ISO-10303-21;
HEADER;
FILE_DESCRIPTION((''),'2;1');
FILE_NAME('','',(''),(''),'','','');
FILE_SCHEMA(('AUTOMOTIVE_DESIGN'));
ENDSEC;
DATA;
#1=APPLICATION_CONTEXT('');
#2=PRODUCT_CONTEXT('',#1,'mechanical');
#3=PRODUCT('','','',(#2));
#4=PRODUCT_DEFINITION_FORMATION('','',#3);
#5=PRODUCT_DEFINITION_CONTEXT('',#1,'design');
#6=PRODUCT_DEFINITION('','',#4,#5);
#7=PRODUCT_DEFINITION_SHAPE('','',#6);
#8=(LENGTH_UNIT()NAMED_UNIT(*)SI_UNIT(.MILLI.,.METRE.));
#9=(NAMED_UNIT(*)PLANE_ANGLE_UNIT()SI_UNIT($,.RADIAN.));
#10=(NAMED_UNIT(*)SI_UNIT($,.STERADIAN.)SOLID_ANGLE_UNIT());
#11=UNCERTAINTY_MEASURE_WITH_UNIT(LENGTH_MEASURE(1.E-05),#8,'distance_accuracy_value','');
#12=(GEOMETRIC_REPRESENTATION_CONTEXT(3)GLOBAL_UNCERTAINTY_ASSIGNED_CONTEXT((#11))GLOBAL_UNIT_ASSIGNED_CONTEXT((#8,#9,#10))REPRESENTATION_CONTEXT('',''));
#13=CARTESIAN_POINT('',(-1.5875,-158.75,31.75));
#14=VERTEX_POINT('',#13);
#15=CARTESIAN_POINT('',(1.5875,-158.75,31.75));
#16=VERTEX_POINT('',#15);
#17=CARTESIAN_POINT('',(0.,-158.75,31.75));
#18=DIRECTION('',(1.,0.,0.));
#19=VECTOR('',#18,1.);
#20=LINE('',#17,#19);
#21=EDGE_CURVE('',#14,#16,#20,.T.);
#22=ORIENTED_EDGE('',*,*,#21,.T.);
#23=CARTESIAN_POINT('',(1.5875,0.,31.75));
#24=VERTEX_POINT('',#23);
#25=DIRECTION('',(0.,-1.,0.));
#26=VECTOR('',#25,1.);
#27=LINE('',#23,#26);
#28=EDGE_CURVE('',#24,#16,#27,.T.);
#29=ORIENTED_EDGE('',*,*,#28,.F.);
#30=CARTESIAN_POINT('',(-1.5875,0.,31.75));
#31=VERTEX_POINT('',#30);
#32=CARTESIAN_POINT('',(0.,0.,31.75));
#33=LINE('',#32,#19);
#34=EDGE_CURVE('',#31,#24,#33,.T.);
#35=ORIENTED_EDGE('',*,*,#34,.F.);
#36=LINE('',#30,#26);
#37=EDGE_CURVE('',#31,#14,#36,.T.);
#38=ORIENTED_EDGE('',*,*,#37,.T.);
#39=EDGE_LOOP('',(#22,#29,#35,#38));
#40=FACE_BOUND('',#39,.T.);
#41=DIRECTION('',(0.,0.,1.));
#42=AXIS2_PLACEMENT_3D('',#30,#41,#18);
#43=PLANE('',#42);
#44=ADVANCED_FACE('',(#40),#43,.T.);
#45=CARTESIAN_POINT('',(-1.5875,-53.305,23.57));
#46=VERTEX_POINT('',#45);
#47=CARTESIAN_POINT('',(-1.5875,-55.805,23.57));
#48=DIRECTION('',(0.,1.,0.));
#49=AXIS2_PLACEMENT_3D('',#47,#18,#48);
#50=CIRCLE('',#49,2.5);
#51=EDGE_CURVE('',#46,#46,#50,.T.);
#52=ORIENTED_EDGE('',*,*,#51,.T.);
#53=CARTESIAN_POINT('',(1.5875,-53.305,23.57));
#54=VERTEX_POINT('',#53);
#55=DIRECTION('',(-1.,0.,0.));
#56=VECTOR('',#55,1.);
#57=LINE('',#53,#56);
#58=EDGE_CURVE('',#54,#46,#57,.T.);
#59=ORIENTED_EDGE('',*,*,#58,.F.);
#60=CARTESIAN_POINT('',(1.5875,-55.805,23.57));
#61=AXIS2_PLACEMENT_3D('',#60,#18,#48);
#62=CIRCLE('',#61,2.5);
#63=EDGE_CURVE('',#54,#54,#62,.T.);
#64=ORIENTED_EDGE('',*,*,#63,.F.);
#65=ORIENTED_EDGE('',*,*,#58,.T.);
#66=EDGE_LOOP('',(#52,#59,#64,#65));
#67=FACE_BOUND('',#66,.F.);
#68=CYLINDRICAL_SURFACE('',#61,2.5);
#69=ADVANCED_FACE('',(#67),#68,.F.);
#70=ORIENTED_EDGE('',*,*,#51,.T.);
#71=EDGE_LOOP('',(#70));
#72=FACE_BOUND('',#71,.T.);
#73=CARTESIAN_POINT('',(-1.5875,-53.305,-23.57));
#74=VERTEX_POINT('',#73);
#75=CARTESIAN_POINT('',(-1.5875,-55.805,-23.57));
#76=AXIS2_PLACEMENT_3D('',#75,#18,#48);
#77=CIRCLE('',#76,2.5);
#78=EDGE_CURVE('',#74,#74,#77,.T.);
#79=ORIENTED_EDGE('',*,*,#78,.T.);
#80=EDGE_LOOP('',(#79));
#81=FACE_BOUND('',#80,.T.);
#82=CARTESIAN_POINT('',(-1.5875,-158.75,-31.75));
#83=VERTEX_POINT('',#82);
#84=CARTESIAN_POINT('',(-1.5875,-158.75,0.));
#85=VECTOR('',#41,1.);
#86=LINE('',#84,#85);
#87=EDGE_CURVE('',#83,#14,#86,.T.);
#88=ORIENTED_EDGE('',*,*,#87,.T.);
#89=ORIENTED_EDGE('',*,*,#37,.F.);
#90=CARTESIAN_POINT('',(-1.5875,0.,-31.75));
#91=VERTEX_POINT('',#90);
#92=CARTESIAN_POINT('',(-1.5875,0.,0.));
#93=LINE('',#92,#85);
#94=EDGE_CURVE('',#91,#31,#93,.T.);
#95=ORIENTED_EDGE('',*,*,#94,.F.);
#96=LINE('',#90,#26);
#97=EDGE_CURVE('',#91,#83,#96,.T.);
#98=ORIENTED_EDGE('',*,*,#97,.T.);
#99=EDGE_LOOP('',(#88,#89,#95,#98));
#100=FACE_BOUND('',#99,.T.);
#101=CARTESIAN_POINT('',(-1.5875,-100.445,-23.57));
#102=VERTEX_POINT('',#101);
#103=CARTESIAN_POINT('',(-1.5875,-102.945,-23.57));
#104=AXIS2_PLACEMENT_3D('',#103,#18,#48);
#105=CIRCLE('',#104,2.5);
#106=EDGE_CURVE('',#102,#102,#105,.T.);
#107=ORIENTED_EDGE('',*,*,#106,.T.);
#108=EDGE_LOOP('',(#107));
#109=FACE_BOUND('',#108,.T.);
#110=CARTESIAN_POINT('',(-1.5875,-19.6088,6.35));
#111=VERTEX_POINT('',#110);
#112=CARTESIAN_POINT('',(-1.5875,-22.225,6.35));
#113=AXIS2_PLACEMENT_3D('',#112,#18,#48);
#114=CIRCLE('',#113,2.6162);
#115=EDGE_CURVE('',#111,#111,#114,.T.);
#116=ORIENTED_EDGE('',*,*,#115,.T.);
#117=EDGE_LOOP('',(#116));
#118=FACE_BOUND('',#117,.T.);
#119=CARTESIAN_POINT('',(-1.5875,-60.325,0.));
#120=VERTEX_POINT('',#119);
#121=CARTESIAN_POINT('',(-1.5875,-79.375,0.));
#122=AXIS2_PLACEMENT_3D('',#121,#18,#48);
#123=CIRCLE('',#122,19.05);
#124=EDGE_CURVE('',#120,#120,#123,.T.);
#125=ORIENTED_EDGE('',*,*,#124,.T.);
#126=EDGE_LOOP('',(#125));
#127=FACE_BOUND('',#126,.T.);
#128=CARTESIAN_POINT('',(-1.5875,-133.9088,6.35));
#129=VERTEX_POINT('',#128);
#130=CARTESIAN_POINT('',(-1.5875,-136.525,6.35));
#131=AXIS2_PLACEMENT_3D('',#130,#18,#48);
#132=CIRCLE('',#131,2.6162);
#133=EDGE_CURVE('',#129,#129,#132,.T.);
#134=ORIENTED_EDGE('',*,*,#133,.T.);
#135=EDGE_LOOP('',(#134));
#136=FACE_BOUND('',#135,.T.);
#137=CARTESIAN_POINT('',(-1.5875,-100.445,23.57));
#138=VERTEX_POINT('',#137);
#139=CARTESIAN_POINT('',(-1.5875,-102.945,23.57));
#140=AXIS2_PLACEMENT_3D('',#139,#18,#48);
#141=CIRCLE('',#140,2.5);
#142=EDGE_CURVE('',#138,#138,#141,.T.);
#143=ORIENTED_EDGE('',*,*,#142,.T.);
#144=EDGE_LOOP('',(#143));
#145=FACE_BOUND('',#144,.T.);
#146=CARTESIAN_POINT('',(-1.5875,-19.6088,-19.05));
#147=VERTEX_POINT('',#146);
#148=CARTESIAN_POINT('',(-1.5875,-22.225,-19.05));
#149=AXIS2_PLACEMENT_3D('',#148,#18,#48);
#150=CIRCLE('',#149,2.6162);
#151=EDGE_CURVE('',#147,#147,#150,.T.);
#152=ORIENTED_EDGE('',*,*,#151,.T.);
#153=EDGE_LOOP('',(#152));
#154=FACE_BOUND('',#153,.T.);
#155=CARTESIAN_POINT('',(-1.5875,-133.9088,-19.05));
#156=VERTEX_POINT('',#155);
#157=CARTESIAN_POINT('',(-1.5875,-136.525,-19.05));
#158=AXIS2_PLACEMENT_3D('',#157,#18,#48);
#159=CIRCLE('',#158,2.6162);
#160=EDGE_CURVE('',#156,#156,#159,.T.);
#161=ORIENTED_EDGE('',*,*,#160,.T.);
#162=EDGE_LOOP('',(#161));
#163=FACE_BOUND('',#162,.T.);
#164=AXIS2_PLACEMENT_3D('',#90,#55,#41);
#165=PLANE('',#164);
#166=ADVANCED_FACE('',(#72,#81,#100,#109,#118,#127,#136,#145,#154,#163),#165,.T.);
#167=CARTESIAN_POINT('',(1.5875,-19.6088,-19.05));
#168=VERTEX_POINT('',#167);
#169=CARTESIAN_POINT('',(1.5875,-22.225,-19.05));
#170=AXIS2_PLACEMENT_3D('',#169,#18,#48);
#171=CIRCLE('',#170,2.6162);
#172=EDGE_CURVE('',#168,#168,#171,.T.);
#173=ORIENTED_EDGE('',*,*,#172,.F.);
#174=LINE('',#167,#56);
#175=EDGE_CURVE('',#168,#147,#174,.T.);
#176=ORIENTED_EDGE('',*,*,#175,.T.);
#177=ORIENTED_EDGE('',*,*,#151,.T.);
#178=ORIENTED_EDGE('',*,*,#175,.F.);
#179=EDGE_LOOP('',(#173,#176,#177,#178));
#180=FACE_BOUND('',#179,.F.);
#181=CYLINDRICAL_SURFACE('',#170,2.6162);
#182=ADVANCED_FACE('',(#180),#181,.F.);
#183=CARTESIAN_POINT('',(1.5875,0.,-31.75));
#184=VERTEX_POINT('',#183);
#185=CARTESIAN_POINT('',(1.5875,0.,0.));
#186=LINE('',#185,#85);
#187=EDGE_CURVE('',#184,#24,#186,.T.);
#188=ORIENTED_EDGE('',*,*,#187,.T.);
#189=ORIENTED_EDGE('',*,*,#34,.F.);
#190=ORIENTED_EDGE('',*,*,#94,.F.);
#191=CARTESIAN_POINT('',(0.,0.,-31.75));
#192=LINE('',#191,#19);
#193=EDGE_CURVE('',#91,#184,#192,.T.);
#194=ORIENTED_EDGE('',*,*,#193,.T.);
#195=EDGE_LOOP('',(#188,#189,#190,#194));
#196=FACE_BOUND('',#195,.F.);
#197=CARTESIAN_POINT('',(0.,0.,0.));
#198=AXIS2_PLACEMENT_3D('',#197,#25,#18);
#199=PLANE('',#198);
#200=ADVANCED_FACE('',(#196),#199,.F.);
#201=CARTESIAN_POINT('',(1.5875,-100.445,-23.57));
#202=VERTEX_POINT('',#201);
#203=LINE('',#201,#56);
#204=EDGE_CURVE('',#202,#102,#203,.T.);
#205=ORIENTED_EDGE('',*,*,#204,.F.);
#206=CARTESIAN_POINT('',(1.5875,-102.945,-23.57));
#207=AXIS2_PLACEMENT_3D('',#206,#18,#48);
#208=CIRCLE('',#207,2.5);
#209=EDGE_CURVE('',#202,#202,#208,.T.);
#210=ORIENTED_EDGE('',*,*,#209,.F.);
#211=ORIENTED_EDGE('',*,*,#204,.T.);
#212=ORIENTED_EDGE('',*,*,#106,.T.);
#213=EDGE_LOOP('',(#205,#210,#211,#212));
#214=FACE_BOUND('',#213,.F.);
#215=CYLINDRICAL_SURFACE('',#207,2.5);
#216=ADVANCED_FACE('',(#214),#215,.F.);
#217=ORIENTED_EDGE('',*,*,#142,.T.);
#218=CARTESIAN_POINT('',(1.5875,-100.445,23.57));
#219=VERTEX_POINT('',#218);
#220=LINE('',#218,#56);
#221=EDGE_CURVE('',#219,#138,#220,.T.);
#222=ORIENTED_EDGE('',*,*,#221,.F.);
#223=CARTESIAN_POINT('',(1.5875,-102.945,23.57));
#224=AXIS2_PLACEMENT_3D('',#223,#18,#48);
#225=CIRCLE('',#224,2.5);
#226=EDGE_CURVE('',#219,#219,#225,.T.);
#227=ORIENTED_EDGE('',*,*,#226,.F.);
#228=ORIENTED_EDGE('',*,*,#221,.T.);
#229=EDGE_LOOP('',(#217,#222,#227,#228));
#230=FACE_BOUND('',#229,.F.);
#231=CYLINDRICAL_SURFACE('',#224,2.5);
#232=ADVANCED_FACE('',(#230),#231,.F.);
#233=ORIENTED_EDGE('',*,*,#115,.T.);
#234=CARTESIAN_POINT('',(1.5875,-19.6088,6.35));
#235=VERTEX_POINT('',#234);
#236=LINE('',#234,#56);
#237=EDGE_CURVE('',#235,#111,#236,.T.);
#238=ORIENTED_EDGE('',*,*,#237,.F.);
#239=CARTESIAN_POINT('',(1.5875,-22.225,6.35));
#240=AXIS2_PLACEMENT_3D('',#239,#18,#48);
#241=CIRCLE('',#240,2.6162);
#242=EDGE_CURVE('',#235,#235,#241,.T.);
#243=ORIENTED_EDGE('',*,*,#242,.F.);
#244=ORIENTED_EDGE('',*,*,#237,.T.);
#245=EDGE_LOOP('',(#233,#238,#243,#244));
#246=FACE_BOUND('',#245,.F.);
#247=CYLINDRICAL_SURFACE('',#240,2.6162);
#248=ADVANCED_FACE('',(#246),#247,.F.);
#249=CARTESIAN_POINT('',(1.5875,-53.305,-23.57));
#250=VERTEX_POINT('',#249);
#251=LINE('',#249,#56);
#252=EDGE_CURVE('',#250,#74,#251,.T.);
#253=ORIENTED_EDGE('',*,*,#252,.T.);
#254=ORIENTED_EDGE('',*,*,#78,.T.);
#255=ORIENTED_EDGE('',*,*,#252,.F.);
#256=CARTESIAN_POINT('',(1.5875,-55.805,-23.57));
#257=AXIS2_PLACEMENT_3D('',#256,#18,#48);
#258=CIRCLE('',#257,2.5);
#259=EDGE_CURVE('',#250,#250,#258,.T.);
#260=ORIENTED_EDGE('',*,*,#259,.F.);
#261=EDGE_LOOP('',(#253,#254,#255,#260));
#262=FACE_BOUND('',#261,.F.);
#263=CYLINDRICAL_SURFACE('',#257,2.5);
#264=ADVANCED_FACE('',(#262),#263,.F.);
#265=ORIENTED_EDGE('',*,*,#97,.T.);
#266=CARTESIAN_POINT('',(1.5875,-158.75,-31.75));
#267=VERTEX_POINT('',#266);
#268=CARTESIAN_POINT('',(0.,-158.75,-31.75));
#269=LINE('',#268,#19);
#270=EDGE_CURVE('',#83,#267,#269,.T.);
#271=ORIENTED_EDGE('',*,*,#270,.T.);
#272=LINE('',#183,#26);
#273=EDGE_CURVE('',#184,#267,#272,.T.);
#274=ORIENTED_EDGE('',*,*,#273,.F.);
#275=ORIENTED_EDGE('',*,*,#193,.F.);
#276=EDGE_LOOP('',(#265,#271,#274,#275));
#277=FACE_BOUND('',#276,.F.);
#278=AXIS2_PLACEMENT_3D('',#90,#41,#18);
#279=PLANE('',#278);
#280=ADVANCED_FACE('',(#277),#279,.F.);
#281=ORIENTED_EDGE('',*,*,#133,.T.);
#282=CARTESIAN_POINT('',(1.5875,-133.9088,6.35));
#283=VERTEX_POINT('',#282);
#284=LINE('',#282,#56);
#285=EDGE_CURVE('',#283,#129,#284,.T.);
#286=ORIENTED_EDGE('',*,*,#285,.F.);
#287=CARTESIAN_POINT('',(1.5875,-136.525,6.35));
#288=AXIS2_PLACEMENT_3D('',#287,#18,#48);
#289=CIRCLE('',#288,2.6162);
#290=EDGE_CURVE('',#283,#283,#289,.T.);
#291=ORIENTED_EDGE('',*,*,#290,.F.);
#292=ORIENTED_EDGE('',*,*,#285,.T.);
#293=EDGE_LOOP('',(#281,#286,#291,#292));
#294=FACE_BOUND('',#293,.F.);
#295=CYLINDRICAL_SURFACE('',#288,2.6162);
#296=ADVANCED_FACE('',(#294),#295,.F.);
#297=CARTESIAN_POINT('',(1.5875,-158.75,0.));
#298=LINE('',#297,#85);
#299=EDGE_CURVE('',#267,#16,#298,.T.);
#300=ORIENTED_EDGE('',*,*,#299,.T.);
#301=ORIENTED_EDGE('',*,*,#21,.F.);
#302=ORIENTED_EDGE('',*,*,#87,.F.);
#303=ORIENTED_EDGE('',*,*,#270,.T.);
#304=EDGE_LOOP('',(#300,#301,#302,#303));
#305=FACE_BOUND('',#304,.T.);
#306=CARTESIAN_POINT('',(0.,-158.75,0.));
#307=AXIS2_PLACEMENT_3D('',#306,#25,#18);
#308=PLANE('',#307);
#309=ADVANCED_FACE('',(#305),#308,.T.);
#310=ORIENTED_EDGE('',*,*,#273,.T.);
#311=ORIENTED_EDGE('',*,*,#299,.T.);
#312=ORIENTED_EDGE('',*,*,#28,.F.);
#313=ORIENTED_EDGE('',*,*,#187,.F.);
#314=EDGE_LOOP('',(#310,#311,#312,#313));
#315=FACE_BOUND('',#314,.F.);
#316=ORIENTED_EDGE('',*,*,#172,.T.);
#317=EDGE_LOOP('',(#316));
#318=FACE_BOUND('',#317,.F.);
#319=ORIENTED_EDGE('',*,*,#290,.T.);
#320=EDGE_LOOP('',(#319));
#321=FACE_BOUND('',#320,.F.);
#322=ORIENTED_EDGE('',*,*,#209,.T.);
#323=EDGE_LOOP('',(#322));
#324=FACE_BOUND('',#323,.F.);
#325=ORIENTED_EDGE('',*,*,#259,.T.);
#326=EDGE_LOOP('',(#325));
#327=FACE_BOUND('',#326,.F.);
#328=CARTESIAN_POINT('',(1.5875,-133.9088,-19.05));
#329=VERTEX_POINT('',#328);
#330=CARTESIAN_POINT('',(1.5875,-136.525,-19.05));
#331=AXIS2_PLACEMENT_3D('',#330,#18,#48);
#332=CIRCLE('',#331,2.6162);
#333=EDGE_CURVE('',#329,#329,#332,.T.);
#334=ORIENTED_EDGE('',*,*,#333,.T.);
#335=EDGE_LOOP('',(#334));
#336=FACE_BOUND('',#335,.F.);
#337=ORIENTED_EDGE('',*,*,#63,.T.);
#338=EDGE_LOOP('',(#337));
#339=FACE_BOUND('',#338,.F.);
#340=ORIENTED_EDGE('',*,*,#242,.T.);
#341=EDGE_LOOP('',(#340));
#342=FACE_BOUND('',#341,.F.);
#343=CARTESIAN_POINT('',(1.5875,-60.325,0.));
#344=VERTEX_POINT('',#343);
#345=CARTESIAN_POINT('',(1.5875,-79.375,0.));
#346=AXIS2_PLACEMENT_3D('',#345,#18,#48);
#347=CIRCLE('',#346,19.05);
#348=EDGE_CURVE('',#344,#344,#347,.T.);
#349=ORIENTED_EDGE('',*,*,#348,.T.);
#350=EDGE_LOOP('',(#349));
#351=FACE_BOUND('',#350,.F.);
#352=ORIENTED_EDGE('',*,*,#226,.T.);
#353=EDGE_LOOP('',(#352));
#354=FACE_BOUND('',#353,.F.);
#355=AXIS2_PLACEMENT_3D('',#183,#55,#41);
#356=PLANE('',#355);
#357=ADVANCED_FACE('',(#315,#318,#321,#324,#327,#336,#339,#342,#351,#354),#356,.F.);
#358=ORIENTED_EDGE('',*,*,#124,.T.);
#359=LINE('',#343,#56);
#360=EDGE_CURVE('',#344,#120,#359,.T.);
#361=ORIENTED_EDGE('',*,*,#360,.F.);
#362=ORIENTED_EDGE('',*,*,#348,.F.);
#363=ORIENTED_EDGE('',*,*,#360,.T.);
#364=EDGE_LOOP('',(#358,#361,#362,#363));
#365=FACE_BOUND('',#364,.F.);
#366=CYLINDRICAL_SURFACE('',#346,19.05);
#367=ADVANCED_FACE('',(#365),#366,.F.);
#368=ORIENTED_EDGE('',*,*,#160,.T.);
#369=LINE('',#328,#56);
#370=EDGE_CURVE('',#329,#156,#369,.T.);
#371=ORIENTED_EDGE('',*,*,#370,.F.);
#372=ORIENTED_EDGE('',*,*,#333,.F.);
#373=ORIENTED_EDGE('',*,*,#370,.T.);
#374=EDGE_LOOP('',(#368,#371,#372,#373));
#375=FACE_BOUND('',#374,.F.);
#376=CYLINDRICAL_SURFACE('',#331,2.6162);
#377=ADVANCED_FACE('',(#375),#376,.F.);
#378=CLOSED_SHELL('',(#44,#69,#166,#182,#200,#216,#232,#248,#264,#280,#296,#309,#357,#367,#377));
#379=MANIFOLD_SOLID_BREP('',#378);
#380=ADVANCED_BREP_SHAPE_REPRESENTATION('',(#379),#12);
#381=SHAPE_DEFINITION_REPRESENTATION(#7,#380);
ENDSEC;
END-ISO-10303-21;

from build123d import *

# Parameters (mm, degrees)
F0_W     = 3.175
F0_H     = 63.5
F1_DEPTH = 158.75
F2_R     = 2.5
F2_R_2   = 19.05
F2_R_3   = 2.6162
F3_DEPTH = 3.176


with BuildPart() as f1:
    # F0 (on Front) → F1 (new body)
    with BuildSketch(Plane.XZ):
        Rectangle(F0_W, F0_H)
    extrude(amount=F1_DEPTH)

    # F2 (on face) → F3 (cut, through all)
    with BuildSketch(Plane.YZ.offset(1.5875)):
        with Locations((-102.945, 23.57)):
            Circle(F2_R)
        with Locations((-55.805, 23.57)):
            Circle(F2_R)
        with Locations((-102.945, -23.57)):
            Circle(F2_R)
        with Locations((-55.805, -23.57)):
            Circle(F2_R)
        with Locations((-79.375, 0)):
            Circle(F2_R_2)
        with Locations((-22.225, 6.35)):
            Circle(F2_R_3)
        with Locations((-22.225, -19.05)):
            Circle(F2_R_3)
        with Locations((-136.525, 6.35)):
            Circle(F2_R_3)
        with Locations((-136.525, -19.05)):
            Circle(F2_R_3)
    extrude(amount=-F3_DEPTH, mode=Mode.SUBTRACT)


solid = f1.part
